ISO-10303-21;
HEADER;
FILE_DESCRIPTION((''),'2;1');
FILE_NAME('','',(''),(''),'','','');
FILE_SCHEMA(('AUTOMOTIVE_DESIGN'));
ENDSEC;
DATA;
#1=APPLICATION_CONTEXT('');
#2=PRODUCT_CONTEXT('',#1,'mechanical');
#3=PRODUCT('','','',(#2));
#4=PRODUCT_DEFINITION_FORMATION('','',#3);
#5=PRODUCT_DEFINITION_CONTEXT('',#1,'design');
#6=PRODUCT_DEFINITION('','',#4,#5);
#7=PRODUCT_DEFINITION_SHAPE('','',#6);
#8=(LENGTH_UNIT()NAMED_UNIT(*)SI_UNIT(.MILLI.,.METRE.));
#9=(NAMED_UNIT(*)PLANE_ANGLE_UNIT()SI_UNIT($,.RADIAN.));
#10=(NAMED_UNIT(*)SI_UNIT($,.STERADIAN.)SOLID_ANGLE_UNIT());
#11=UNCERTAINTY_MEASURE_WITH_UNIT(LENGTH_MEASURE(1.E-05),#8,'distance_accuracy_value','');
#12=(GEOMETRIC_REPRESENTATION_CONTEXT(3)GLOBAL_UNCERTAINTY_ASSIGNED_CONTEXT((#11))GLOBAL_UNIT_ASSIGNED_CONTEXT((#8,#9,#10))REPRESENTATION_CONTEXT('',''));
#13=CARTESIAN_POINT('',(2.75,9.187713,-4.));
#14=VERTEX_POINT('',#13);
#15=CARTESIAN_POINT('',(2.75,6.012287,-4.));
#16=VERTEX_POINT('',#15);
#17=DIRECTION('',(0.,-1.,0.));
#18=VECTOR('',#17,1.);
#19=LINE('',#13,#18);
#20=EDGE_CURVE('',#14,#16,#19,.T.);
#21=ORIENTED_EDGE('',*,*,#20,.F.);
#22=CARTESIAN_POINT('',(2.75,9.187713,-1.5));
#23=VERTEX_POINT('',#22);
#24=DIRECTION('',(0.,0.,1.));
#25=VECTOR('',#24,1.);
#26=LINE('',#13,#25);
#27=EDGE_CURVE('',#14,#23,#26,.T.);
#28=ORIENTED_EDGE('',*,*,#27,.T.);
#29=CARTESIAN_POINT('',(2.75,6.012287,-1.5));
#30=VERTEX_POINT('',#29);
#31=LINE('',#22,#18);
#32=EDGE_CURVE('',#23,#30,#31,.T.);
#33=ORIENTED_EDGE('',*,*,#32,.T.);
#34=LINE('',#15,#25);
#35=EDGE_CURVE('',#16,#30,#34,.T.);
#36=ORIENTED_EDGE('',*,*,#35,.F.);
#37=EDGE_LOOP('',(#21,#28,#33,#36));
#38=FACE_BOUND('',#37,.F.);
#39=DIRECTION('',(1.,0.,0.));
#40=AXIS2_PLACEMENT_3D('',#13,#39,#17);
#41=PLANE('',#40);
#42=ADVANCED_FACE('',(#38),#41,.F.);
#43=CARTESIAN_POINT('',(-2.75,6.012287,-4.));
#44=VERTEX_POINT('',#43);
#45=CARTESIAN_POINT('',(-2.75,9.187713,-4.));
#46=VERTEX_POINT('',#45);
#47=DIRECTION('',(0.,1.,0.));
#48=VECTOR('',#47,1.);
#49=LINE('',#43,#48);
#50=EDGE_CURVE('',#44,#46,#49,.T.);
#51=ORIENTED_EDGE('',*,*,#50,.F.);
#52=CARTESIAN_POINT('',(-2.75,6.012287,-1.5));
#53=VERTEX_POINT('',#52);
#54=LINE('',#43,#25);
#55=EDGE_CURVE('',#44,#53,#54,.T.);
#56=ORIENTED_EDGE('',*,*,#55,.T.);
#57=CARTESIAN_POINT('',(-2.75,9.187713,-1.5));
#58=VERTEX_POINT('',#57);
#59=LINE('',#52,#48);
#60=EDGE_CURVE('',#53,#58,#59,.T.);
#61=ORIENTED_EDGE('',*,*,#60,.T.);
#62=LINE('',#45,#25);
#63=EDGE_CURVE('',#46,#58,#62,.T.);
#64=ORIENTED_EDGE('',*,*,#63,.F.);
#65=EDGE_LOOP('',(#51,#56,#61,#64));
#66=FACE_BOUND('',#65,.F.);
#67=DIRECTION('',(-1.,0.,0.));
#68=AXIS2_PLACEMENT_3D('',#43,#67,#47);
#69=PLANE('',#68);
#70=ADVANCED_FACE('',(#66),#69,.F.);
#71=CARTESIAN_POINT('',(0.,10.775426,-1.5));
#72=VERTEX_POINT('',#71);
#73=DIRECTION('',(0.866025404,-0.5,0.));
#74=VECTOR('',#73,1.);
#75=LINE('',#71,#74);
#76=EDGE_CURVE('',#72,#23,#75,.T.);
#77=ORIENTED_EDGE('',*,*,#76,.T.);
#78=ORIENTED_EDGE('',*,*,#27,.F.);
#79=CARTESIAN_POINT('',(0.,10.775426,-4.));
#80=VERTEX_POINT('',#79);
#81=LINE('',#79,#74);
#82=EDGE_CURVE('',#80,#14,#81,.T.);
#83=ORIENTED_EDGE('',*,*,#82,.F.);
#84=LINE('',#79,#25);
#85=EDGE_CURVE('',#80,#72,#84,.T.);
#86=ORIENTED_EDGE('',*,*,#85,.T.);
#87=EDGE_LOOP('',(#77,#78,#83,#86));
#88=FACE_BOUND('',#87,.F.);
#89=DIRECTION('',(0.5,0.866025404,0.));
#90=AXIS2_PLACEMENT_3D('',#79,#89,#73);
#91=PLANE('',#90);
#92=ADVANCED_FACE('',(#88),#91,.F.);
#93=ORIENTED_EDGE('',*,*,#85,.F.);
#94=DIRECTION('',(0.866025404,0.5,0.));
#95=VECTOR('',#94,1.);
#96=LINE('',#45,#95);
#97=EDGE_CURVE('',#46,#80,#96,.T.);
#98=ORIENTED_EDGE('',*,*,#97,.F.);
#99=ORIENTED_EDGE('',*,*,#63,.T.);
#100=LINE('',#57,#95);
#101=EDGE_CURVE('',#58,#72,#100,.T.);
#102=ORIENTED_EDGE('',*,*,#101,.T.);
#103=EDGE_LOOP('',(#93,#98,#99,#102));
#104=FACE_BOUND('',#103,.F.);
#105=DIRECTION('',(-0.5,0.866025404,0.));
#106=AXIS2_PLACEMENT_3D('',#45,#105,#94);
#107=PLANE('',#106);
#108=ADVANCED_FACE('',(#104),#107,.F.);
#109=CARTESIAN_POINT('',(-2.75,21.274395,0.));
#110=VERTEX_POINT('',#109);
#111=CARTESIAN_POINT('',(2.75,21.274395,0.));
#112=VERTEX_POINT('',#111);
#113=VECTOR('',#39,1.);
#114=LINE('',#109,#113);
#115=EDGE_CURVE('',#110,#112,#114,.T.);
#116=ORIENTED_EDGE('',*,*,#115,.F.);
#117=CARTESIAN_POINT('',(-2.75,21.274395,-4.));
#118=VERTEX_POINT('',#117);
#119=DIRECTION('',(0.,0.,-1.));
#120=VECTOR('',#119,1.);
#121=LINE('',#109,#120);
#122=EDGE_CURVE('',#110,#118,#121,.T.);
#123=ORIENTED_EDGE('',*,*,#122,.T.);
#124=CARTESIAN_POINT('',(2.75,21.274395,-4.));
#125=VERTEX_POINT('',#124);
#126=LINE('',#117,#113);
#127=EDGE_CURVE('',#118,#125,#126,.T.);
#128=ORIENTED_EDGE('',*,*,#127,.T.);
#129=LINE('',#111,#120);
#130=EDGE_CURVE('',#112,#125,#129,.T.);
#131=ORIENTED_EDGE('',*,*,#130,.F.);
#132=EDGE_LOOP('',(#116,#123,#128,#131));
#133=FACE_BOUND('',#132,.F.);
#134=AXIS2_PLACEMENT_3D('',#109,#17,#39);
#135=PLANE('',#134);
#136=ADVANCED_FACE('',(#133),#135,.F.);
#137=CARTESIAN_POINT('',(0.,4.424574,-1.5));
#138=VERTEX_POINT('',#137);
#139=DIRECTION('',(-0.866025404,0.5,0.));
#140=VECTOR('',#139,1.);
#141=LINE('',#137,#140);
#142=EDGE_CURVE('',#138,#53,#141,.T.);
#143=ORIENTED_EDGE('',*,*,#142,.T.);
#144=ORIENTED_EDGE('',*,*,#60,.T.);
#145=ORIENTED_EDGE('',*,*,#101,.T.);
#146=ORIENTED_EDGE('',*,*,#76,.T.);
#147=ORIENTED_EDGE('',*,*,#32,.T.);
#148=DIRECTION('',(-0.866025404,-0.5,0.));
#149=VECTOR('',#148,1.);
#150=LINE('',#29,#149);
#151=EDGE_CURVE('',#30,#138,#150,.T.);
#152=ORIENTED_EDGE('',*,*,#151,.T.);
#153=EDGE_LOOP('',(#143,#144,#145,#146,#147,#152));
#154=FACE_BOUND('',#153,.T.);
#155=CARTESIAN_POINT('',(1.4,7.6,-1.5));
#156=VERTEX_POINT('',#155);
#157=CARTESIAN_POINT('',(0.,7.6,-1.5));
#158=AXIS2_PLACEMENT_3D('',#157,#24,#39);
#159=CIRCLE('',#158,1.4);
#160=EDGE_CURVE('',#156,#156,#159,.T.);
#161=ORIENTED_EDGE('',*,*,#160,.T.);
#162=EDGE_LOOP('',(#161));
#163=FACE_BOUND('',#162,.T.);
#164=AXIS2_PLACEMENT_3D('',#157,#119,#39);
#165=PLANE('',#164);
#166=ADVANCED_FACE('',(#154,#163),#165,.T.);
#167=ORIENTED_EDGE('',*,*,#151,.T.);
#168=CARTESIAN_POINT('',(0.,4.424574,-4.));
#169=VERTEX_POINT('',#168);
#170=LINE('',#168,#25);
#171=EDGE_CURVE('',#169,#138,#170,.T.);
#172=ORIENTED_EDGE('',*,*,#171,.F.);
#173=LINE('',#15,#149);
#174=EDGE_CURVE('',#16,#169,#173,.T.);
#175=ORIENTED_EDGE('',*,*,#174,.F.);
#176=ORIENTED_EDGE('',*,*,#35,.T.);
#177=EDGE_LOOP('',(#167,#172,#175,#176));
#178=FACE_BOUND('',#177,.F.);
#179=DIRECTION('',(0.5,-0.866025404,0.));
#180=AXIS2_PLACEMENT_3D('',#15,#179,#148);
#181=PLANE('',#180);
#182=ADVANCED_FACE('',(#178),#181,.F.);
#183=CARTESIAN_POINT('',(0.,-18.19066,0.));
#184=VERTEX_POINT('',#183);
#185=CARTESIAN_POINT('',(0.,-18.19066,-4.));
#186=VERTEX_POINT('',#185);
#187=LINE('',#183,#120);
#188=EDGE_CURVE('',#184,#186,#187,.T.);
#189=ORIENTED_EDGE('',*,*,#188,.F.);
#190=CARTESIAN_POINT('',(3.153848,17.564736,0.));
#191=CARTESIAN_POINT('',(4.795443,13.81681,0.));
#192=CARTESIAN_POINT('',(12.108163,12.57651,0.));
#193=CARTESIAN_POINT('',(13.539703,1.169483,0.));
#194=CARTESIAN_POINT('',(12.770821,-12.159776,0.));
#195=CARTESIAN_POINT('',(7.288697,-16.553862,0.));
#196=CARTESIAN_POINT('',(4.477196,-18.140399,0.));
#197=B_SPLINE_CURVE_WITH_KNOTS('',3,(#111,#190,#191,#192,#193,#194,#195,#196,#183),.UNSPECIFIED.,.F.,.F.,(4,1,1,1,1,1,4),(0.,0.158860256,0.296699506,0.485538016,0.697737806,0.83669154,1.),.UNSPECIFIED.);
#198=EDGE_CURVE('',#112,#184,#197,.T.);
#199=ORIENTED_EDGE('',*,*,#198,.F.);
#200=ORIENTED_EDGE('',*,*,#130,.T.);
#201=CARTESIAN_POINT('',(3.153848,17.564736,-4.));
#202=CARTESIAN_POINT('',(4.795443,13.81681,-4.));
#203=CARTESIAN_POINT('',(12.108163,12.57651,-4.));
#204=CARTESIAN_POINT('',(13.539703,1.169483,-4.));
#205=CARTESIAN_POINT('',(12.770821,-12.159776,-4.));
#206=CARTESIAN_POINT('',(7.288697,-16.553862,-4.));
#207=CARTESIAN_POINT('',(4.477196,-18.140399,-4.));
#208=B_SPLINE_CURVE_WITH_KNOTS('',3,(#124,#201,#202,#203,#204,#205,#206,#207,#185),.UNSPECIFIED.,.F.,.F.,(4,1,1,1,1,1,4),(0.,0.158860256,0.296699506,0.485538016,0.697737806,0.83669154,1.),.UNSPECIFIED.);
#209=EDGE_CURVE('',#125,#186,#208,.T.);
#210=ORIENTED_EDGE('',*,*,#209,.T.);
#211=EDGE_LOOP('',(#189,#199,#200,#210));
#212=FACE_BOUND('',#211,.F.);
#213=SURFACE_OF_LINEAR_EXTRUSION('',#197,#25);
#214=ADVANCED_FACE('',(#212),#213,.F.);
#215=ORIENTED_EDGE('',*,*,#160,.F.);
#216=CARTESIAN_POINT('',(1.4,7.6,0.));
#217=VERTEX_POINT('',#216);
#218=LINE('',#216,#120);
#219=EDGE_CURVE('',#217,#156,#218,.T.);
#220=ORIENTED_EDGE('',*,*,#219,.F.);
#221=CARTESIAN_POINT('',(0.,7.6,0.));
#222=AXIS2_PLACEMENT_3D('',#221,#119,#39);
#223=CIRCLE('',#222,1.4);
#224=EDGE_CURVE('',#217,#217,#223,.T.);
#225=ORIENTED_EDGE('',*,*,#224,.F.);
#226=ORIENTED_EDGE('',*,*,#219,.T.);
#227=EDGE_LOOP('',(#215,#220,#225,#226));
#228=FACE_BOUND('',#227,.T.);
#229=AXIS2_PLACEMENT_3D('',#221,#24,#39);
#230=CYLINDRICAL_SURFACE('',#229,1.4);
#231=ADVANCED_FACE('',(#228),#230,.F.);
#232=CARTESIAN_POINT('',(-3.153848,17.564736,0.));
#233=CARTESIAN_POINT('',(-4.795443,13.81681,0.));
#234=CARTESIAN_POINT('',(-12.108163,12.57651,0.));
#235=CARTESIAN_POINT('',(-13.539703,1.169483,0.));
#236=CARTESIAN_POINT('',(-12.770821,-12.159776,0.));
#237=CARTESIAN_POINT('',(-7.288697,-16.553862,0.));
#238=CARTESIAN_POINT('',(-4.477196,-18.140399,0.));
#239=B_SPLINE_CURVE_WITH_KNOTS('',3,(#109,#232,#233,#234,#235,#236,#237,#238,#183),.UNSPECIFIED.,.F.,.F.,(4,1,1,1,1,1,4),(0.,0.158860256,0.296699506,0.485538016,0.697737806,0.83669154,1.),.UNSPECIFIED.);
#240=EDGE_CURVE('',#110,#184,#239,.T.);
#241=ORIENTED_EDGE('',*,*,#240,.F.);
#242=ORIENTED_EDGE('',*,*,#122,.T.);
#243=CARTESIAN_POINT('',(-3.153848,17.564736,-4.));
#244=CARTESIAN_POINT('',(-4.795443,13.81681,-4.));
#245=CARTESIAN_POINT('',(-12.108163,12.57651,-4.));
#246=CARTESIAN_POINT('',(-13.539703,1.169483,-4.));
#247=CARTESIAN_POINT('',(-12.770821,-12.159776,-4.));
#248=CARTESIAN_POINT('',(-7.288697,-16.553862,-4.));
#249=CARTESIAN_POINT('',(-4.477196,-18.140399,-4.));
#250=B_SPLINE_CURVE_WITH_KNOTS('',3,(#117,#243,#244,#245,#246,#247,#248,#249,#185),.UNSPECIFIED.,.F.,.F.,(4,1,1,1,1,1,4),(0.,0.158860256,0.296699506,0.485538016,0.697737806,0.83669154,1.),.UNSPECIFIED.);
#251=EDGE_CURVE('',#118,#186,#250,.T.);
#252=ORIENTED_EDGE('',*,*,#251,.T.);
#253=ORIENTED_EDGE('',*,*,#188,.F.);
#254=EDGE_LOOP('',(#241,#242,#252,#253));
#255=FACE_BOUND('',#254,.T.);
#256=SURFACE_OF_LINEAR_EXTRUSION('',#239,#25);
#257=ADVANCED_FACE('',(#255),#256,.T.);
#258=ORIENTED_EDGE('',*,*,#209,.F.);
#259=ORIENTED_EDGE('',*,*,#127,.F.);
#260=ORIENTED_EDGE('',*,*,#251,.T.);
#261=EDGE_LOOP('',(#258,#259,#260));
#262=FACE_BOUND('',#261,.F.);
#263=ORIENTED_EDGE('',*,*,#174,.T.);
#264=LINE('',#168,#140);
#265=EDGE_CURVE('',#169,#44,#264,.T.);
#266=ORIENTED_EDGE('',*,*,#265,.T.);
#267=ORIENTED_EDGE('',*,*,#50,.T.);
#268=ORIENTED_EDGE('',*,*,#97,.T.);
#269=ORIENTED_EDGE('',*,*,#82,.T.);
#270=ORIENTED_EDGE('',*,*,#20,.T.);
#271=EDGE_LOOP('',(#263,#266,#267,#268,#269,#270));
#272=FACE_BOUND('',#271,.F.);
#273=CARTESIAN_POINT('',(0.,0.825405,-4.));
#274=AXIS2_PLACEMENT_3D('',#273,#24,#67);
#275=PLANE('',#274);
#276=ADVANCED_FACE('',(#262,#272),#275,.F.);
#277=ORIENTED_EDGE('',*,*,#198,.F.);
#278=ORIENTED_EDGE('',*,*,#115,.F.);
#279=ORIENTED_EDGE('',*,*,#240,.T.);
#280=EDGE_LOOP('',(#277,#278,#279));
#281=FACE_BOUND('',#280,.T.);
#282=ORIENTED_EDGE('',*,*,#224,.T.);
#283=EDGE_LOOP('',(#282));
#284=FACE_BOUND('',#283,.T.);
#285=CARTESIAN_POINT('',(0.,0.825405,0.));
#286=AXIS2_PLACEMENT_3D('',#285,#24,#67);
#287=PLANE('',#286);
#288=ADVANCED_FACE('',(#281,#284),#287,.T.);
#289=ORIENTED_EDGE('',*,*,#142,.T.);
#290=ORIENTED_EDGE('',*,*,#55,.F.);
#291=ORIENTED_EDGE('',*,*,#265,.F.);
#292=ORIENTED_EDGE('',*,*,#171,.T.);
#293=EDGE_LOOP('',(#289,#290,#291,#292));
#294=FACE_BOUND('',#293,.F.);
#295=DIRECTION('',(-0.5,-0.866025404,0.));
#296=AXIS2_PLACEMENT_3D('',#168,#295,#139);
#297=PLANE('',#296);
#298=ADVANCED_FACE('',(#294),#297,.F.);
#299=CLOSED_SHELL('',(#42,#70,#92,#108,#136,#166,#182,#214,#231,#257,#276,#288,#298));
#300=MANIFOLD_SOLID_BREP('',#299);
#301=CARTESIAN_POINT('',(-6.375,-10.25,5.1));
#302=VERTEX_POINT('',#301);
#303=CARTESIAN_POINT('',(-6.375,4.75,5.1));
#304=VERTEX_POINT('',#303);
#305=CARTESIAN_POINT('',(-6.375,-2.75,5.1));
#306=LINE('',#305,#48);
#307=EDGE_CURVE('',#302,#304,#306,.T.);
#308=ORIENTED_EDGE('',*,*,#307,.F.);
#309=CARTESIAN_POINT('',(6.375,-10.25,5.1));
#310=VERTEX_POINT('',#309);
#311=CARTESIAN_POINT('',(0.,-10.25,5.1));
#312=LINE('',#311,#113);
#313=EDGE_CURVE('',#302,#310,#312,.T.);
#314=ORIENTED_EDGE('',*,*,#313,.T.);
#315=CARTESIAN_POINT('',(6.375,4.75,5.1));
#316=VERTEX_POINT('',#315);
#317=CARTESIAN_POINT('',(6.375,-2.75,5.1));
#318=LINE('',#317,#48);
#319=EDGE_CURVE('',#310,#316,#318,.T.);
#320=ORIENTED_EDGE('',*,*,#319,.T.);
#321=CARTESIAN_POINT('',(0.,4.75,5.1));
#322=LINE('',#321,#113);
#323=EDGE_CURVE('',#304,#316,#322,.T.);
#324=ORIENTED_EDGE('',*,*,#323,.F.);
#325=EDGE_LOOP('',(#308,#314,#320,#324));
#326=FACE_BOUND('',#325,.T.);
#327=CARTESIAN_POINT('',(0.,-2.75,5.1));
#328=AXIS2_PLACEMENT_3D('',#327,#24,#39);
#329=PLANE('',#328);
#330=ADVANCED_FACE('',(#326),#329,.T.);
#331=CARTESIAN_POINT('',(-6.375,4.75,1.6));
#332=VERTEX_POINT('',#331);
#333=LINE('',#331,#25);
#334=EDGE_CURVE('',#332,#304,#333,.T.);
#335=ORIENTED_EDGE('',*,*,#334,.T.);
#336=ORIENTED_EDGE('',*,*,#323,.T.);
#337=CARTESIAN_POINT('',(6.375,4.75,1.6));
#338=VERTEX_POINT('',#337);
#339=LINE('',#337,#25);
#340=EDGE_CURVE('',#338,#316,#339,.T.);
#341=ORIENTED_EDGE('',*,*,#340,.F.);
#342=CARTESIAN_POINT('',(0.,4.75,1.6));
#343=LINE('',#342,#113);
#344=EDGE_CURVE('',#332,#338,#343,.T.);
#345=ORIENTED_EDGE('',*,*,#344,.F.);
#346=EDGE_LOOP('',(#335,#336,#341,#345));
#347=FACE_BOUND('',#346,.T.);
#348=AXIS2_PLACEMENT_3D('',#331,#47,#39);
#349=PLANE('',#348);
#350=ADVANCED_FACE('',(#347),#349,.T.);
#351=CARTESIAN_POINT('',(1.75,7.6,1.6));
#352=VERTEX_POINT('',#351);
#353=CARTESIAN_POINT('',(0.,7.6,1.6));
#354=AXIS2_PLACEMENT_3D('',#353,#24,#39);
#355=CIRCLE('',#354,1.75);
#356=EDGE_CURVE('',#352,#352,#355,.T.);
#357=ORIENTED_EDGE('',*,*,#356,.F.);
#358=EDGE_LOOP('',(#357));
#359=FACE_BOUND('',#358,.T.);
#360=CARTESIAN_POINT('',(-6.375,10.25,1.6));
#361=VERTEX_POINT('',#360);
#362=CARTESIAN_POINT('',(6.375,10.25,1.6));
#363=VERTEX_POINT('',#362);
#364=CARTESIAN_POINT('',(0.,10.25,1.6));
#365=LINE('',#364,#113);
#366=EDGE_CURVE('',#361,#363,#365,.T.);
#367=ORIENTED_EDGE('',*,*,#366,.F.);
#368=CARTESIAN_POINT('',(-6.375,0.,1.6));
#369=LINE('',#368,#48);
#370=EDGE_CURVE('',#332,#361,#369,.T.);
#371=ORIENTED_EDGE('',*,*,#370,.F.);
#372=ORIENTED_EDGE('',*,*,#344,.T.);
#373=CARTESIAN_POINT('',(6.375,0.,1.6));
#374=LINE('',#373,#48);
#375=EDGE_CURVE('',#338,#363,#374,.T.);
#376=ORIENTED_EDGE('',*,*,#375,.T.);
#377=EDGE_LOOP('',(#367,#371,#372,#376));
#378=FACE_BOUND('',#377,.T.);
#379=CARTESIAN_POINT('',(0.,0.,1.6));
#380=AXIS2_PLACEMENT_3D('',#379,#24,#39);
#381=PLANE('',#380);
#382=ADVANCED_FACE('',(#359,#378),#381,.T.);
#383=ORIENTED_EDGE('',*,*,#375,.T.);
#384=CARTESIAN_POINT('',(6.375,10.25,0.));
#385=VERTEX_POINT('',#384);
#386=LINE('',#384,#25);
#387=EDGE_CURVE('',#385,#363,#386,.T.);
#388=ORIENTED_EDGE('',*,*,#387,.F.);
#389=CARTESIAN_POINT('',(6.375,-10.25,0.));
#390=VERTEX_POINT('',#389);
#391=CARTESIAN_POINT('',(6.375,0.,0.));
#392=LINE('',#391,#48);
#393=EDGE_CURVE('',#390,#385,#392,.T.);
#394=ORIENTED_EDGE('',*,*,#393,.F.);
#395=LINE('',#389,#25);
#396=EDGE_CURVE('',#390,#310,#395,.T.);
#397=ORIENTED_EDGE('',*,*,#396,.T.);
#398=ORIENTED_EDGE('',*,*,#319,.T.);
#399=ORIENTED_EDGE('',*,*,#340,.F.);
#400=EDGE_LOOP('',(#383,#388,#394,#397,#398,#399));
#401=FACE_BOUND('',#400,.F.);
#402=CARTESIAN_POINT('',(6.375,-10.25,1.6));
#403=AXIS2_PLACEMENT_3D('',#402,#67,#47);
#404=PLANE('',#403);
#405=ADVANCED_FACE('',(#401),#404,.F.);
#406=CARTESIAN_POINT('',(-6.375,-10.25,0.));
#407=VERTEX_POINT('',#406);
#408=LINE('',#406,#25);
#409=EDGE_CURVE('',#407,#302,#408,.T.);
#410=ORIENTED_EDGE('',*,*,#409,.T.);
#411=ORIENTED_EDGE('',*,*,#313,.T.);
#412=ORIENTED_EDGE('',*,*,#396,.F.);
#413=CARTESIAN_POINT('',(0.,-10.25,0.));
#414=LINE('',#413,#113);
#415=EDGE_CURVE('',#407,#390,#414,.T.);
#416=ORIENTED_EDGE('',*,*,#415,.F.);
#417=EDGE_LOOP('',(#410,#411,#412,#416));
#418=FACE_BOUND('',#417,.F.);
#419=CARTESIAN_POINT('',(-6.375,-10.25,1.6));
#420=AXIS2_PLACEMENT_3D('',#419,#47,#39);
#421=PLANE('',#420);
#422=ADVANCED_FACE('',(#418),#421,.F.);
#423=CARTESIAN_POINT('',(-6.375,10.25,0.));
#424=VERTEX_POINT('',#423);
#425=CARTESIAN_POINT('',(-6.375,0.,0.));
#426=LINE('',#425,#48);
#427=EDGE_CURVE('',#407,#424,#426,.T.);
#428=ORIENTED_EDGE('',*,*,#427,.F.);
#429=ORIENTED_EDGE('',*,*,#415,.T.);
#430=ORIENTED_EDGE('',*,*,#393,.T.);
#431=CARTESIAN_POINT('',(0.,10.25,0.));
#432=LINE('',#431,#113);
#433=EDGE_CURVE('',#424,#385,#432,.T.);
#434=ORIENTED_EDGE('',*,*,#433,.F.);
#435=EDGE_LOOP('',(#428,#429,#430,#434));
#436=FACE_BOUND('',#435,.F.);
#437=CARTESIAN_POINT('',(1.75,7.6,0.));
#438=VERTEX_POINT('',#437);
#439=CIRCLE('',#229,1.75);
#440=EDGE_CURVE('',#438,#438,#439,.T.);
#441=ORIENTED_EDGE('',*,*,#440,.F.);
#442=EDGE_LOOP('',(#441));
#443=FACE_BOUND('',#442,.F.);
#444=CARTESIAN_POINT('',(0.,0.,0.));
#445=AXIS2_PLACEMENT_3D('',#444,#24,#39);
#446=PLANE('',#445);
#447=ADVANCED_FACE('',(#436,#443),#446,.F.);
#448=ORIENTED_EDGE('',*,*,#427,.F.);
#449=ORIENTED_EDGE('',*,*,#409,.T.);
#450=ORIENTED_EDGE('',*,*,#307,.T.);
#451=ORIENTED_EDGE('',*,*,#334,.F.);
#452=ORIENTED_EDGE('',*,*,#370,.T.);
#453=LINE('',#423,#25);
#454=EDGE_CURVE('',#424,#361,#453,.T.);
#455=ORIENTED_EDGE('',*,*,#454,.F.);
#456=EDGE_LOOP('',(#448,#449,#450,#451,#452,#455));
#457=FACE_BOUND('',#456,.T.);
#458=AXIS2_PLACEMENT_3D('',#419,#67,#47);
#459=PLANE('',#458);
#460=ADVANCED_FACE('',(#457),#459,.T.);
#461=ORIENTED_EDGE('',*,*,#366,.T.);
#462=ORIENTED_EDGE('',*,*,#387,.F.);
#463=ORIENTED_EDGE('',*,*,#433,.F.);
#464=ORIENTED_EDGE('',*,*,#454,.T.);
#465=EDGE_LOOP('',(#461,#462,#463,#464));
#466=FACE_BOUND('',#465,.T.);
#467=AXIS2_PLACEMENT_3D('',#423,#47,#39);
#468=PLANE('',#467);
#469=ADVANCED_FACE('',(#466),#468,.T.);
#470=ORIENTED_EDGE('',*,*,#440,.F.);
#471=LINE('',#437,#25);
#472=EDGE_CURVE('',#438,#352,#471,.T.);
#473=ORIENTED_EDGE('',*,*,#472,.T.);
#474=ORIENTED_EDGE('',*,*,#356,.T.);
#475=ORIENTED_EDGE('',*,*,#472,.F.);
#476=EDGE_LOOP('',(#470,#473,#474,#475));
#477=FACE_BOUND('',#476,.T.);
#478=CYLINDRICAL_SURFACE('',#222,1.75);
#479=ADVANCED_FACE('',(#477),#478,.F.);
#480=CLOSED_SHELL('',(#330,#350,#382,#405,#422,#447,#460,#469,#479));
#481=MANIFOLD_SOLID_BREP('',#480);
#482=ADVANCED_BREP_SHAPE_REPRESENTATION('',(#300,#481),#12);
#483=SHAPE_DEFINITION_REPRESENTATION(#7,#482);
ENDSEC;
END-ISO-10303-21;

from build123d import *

# Parameters (mm, degrees)
F0_W     = 12.75
F0_H     = 20.5
F0_R     = 1.75
F1_DEPTH = 1.6
F2_R     = 1.4
F3_DEPTH = 4
F5_DEPTH = 2.5
F6_W     = 12.75
F6_H     = 15
F7_DEPTH = 3.5


with BuildPart() as f1:
    # F0 (on Top) → F1 (new body)
    with BuildSketch(Plane.XY):
        Rectangle(F0_W, F0_H)
        with Locations((0, 7.6)):
            Circle(F0_R, mode=Mode.SUBTRACT)
    extrude(amount=F1_DEPTH)

    # F6 (on face) → F7 (join)
    with BuildSketch(Plane.XY.offset(1.6)):
        with Locations((0, -2.75)):
            Rectangle(F6_W, F6_H)
    extrude(amount=F7_DEPTH)


with BuildPart() as f3:
    # F2 (on face) → F3 (new body)
    with BuildSketch(Plane(origin=(0, 0, 0), x_dir=(1, 0, 0), z_dir=(0, 0, -1))):
        with BuildLine():
            add(Edge.make_bspline(
                [(-2.75, -21.274395287), (-3.1538479416, -17.5647359662), (-4.7954433454, -13.8168100471), (-12.1081629081, -12.5765102153), (-13.5397026844, -1.1694834905), (-12.7708206971, 12.159775653), (-7.2886974081, 16.5538616792), (-4.4771958107, 18.1403989938), (0, 18.1906595826)],
                knots=[0, 0, 0, 0, 0.1588602561, 0.296699506, 0.4855380164, 0.6977378064, 0.8366915404, 1, 1, 1, 1], degree=3))
            Line((-2.75, -21.274395287), (2.75, -21.274395287))
            add(Edge.make_bspline(
                [(2.75, -21.274395287), (3.1538479416, -17.5647359662), (4.7954433454, -13.8168100471), (12.1081629081, -12.5765102153), (13.5397026844, -1.1694834905), (12.7708206971, 12.159775653), (7.2886974081, 16.5538616792), (4.4771958107, 18.1403989938), (0, 18.1906595826)],
                knots=[0, 0, 0, 0, 0.1588602561, 0.296699506, 0.4855380164, 0.6977378064, 0.8366915404, 1, 1, 1, 1], degree=3))
        make_face()
        with Locations((0, -7.6)):
            Circle(F2_R, mode=Mode.SUBTRACT)
    extrude(amount=F3_DEPTH)

    # F4 (on face) → F5 (cut)
    with BuildSketch(Plane(origin=(0, 0, -4), x_dir=(1, 0, 0), z_dir=(0, 0, -1))):
        Polygon((2.75, -9.1877132403), (2.75, -6.0122867597), (0, -4.4245735195), (-2.75, -6.0122867597), (-2.75, -9.1877132403), (0, -10.7754264805), align=None)
    extrude(amount=-F5_DEPTH, mode=Mode.SUBTRACT)


solid = Compound([f1.part, f3.part])
